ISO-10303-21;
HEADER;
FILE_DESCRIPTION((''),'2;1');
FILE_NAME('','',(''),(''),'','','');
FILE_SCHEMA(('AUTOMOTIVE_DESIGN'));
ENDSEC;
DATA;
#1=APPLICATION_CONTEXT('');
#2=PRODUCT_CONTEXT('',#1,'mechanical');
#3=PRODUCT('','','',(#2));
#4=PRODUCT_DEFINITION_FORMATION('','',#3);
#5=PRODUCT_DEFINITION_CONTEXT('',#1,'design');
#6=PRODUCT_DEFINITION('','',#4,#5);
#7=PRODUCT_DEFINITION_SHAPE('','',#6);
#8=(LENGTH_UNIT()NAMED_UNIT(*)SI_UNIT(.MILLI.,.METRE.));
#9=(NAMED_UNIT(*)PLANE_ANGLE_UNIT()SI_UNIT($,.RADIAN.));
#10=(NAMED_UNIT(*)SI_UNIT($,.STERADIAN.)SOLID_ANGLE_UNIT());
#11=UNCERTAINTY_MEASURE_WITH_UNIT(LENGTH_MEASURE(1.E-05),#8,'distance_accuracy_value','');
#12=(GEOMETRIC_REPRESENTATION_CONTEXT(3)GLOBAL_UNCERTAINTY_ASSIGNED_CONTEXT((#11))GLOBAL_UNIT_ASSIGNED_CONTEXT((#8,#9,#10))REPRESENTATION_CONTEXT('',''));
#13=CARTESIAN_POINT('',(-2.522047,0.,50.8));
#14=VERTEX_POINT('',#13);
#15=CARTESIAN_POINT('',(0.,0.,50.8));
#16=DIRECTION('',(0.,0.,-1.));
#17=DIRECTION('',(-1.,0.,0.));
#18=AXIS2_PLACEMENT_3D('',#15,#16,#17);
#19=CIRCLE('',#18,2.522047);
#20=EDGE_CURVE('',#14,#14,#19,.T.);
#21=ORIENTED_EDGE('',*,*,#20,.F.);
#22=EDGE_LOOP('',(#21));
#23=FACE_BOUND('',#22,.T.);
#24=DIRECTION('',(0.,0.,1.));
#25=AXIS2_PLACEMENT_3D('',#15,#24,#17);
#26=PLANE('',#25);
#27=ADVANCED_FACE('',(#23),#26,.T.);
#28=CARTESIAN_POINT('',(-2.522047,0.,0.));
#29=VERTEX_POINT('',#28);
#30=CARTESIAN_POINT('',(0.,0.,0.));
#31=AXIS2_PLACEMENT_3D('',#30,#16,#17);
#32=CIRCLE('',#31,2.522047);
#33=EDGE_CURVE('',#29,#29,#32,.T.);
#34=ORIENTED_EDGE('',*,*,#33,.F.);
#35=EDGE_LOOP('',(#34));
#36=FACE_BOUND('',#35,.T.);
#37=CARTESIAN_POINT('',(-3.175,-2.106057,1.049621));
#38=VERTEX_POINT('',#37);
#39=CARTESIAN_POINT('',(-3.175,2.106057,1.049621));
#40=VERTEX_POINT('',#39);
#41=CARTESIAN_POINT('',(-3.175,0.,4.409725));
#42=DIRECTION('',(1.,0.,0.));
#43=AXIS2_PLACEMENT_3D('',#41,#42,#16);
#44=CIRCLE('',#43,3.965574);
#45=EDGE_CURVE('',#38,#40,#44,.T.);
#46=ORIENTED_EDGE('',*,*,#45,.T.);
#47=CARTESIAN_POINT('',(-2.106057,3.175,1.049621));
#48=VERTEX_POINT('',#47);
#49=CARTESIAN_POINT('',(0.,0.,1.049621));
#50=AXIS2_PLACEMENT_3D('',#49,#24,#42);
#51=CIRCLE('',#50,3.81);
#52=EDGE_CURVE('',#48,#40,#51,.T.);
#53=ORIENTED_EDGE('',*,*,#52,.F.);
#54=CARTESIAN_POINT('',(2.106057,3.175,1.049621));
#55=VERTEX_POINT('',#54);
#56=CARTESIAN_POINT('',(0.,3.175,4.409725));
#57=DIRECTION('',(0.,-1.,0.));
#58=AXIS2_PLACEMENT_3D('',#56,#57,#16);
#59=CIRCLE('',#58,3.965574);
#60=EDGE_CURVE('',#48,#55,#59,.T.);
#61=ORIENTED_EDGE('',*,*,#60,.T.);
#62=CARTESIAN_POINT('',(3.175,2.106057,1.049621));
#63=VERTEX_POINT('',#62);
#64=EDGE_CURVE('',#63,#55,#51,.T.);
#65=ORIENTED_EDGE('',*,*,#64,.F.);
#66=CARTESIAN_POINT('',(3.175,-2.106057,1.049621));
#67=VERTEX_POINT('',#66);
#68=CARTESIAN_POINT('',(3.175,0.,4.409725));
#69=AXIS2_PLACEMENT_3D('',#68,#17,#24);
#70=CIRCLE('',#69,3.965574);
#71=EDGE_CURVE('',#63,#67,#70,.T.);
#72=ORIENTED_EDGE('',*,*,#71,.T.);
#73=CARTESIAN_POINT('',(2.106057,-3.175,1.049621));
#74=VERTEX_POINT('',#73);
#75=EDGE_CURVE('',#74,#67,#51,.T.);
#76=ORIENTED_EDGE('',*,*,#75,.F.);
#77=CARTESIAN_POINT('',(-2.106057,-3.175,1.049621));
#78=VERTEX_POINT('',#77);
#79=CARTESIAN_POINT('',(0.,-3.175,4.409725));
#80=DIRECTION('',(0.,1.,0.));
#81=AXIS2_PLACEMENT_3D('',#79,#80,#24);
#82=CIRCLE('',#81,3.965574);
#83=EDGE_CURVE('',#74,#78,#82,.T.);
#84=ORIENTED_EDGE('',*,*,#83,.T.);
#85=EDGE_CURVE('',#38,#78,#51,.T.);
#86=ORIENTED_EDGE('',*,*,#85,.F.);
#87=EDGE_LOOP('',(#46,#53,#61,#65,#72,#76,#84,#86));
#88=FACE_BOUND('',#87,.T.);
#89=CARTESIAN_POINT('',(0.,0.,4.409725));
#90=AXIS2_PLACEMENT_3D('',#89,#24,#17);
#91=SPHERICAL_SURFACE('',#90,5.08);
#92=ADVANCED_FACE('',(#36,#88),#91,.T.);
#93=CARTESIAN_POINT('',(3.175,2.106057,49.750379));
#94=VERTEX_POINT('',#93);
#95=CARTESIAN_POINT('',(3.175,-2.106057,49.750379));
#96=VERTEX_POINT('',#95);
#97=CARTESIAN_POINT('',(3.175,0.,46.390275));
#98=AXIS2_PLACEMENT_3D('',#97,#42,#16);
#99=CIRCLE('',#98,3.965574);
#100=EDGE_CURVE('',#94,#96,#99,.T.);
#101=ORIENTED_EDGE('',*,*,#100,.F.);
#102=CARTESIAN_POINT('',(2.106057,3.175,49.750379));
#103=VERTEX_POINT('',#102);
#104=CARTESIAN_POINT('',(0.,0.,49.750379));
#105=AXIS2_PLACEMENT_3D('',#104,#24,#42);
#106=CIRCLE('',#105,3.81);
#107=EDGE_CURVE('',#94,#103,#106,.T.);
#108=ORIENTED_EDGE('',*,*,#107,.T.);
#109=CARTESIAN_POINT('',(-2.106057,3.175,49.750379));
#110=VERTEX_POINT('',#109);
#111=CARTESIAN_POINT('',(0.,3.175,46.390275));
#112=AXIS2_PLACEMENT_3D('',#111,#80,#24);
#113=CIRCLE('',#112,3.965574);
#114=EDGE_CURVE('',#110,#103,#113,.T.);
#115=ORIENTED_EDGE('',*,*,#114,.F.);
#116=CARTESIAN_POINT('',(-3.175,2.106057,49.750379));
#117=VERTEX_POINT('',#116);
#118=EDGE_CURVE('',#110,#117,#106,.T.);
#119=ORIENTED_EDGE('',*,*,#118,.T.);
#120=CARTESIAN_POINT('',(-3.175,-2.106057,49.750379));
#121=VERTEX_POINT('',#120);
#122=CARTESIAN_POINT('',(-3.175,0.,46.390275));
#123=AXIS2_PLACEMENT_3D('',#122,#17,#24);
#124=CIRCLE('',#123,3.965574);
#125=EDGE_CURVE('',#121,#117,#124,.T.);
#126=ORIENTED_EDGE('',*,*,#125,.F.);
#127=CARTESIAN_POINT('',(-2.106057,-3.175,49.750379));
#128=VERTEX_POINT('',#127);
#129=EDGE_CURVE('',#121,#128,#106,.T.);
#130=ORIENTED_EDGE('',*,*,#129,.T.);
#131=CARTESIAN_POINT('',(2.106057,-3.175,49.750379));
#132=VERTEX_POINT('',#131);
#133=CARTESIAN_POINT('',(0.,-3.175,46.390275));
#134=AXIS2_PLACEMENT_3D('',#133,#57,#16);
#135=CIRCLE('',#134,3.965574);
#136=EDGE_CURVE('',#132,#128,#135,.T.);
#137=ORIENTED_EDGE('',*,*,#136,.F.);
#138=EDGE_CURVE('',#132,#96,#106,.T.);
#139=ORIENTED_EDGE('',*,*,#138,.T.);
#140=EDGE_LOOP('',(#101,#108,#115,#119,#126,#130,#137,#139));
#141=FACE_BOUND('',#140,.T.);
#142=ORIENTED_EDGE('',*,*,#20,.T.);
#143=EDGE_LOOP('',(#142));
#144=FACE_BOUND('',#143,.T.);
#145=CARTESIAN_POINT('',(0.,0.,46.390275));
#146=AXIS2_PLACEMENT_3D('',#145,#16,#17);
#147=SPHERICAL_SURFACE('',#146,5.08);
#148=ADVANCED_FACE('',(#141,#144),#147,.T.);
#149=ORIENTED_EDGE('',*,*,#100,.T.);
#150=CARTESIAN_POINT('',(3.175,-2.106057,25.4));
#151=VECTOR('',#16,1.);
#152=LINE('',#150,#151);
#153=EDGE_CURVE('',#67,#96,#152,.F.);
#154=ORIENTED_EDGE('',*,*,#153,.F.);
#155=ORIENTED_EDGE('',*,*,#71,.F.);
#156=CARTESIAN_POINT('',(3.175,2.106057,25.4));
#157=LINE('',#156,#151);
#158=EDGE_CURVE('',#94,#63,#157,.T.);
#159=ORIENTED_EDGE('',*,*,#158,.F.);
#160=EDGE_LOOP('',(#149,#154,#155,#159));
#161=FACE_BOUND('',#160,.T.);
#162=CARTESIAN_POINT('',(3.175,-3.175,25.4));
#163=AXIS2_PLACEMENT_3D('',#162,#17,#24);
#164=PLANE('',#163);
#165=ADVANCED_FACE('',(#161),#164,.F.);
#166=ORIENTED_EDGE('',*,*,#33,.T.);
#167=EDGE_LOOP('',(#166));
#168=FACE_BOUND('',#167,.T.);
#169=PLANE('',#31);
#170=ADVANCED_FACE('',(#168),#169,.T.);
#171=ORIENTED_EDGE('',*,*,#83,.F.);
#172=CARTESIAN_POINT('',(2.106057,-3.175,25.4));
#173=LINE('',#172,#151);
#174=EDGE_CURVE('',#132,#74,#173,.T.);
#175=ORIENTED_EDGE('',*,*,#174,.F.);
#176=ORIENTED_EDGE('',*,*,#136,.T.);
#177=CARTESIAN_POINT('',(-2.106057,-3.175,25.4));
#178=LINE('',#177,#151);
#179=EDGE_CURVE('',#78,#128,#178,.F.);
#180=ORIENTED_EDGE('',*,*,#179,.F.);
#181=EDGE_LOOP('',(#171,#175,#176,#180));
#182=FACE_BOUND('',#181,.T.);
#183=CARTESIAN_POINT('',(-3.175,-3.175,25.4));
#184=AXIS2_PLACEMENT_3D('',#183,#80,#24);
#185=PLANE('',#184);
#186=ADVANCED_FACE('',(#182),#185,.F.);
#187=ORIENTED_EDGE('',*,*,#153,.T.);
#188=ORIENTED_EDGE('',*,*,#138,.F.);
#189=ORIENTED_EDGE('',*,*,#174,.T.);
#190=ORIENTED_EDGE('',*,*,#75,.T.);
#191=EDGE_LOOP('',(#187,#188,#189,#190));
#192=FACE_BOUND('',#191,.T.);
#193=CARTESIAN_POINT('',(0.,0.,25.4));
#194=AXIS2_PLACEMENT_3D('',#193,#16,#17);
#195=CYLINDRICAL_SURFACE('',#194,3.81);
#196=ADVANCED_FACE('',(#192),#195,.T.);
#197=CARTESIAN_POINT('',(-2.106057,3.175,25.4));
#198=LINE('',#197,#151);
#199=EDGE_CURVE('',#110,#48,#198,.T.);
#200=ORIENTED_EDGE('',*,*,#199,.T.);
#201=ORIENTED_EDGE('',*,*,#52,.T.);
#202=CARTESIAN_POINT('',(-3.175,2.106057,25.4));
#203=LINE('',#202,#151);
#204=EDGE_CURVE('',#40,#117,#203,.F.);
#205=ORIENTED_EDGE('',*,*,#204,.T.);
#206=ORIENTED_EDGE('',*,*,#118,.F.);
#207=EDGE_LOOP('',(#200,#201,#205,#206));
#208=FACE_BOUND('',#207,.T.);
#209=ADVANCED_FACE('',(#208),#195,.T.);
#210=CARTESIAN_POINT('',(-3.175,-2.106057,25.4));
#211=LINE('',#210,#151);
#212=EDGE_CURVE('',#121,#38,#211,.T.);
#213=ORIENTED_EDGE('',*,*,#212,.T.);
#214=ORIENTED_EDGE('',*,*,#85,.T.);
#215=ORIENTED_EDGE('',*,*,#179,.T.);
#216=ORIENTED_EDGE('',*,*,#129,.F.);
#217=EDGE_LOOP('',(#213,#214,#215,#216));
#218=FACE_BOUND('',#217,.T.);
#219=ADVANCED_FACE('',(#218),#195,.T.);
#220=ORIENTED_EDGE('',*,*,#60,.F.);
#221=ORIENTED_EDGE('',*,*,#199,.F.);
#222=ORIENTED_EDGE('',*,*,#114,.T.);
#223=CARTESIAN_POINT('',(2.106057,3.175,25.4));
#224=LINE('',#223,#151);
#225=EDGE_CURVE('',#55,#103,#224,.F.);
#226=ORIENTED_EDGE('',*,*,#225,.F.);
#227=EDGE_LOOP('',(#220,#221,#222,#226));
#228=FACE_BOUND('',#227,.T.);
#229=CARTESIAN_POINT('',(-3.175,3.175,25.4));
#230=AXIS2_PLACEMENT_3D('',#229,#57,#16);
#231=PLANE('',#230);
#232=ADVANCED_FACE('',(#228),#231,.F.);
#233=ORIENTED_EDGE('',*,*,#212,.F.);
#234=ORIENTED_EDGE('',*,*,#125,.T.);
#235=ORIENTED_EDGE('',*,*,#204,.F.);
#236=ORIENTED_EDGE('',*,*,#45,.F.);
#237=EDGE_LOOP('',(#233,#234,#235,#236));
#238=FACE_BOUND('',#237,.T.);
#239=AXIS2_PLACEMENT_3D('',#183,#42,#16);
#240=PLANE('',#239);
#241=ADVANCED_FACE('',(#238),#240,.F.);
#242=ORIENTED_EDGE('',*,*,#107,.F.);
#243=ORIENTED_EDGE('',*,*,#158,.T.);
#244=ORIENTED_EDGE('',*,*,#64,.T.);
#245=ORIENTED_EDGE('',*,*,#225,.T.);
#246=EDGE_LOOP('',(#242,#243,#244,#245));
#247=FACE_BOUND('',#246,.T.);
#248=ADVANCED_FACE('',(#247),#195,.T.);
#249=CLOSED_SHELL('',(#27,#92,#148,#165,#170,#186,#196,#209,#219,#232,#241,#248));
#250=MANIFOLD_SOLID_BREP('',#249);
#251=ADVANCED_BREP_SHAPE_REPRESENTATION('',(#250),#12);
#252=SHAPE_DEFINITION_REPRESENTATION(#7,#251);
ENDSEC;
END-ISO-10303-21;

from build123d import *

# Parameters (mm, degrees)
SKETCH1_W           = 6.35
SKETCH1_H           = 6.35
BOSS_EXTRUDE1_DEPTH = 25.4
SKETCH2_OUTSIDE_W   = 13.738
SKETCH2_OUTSIDE_H   = 13.738
SKETCH2_OUTSIDE_R   = 3.81
CUT_EXTRUDE1_DEPTH  = 26.4


with BuildPart() as part:
    # Sketch1 → Boss-Extrude1 (new body)
    with BuildSketch(Plane.XY):
        Rectangle(SKETCH1_W, SKETCH1_H)
    extrude(amount=BOSS_EXTRUDE1_DEPTH)

    # Sketch2 outside → Cut-Extrude1 (cut, through all)
    with BuildSketch(Plane(origin=(0, 0, 0), x_dir=(-1, 0, 0), z_dir=(0, 0, -1))):
        Rectangle(SKETCH2_OUTSIDE_W, SKETCH2_OUTSIDE_H)
        Circle(SKETCH2_OUTSIDE_R, mode=Mode.SUBTRACT)
    extrude(amount=-CUT_EXTRUDE1_DEPTH, mode=Mode.SUBTRACT)

    # Sketch3 → Cut-Revolve1 (revolve, cut)
    with BuildSketch(Plane(origin=(0, 0, 0), x_dir=(1, 0, 0), z_dir=(0, 1, 0))):
        with BuildLine():
            Line((-5.053685963, -3.893335876), (-5.053685963, 5.740530545))
            Line((-5.053685963, 5.740530545), (0, 5.740530545))
            Line((0, 5.740530545), (0, 0.670274551))
            ThreePointArc((0, 0.670274551), (-3.404639553, -0.639469554), (-5.053685963, -3.893335876))
        make_face()
    revolve(axis=Axis((0, 0, 25.4), (0, 0, -1)), mode=Mode.SUBTRACT)

    # Mirror1: part across plane


with BuildPart() as part_1:
    add(part.part)
    add(part.part.mirror(Plane(origin=(0, 0, 25.4), x_dir=(1, 0, 0), z_dir=(0, 0, -1))))


solid = part_1.part
